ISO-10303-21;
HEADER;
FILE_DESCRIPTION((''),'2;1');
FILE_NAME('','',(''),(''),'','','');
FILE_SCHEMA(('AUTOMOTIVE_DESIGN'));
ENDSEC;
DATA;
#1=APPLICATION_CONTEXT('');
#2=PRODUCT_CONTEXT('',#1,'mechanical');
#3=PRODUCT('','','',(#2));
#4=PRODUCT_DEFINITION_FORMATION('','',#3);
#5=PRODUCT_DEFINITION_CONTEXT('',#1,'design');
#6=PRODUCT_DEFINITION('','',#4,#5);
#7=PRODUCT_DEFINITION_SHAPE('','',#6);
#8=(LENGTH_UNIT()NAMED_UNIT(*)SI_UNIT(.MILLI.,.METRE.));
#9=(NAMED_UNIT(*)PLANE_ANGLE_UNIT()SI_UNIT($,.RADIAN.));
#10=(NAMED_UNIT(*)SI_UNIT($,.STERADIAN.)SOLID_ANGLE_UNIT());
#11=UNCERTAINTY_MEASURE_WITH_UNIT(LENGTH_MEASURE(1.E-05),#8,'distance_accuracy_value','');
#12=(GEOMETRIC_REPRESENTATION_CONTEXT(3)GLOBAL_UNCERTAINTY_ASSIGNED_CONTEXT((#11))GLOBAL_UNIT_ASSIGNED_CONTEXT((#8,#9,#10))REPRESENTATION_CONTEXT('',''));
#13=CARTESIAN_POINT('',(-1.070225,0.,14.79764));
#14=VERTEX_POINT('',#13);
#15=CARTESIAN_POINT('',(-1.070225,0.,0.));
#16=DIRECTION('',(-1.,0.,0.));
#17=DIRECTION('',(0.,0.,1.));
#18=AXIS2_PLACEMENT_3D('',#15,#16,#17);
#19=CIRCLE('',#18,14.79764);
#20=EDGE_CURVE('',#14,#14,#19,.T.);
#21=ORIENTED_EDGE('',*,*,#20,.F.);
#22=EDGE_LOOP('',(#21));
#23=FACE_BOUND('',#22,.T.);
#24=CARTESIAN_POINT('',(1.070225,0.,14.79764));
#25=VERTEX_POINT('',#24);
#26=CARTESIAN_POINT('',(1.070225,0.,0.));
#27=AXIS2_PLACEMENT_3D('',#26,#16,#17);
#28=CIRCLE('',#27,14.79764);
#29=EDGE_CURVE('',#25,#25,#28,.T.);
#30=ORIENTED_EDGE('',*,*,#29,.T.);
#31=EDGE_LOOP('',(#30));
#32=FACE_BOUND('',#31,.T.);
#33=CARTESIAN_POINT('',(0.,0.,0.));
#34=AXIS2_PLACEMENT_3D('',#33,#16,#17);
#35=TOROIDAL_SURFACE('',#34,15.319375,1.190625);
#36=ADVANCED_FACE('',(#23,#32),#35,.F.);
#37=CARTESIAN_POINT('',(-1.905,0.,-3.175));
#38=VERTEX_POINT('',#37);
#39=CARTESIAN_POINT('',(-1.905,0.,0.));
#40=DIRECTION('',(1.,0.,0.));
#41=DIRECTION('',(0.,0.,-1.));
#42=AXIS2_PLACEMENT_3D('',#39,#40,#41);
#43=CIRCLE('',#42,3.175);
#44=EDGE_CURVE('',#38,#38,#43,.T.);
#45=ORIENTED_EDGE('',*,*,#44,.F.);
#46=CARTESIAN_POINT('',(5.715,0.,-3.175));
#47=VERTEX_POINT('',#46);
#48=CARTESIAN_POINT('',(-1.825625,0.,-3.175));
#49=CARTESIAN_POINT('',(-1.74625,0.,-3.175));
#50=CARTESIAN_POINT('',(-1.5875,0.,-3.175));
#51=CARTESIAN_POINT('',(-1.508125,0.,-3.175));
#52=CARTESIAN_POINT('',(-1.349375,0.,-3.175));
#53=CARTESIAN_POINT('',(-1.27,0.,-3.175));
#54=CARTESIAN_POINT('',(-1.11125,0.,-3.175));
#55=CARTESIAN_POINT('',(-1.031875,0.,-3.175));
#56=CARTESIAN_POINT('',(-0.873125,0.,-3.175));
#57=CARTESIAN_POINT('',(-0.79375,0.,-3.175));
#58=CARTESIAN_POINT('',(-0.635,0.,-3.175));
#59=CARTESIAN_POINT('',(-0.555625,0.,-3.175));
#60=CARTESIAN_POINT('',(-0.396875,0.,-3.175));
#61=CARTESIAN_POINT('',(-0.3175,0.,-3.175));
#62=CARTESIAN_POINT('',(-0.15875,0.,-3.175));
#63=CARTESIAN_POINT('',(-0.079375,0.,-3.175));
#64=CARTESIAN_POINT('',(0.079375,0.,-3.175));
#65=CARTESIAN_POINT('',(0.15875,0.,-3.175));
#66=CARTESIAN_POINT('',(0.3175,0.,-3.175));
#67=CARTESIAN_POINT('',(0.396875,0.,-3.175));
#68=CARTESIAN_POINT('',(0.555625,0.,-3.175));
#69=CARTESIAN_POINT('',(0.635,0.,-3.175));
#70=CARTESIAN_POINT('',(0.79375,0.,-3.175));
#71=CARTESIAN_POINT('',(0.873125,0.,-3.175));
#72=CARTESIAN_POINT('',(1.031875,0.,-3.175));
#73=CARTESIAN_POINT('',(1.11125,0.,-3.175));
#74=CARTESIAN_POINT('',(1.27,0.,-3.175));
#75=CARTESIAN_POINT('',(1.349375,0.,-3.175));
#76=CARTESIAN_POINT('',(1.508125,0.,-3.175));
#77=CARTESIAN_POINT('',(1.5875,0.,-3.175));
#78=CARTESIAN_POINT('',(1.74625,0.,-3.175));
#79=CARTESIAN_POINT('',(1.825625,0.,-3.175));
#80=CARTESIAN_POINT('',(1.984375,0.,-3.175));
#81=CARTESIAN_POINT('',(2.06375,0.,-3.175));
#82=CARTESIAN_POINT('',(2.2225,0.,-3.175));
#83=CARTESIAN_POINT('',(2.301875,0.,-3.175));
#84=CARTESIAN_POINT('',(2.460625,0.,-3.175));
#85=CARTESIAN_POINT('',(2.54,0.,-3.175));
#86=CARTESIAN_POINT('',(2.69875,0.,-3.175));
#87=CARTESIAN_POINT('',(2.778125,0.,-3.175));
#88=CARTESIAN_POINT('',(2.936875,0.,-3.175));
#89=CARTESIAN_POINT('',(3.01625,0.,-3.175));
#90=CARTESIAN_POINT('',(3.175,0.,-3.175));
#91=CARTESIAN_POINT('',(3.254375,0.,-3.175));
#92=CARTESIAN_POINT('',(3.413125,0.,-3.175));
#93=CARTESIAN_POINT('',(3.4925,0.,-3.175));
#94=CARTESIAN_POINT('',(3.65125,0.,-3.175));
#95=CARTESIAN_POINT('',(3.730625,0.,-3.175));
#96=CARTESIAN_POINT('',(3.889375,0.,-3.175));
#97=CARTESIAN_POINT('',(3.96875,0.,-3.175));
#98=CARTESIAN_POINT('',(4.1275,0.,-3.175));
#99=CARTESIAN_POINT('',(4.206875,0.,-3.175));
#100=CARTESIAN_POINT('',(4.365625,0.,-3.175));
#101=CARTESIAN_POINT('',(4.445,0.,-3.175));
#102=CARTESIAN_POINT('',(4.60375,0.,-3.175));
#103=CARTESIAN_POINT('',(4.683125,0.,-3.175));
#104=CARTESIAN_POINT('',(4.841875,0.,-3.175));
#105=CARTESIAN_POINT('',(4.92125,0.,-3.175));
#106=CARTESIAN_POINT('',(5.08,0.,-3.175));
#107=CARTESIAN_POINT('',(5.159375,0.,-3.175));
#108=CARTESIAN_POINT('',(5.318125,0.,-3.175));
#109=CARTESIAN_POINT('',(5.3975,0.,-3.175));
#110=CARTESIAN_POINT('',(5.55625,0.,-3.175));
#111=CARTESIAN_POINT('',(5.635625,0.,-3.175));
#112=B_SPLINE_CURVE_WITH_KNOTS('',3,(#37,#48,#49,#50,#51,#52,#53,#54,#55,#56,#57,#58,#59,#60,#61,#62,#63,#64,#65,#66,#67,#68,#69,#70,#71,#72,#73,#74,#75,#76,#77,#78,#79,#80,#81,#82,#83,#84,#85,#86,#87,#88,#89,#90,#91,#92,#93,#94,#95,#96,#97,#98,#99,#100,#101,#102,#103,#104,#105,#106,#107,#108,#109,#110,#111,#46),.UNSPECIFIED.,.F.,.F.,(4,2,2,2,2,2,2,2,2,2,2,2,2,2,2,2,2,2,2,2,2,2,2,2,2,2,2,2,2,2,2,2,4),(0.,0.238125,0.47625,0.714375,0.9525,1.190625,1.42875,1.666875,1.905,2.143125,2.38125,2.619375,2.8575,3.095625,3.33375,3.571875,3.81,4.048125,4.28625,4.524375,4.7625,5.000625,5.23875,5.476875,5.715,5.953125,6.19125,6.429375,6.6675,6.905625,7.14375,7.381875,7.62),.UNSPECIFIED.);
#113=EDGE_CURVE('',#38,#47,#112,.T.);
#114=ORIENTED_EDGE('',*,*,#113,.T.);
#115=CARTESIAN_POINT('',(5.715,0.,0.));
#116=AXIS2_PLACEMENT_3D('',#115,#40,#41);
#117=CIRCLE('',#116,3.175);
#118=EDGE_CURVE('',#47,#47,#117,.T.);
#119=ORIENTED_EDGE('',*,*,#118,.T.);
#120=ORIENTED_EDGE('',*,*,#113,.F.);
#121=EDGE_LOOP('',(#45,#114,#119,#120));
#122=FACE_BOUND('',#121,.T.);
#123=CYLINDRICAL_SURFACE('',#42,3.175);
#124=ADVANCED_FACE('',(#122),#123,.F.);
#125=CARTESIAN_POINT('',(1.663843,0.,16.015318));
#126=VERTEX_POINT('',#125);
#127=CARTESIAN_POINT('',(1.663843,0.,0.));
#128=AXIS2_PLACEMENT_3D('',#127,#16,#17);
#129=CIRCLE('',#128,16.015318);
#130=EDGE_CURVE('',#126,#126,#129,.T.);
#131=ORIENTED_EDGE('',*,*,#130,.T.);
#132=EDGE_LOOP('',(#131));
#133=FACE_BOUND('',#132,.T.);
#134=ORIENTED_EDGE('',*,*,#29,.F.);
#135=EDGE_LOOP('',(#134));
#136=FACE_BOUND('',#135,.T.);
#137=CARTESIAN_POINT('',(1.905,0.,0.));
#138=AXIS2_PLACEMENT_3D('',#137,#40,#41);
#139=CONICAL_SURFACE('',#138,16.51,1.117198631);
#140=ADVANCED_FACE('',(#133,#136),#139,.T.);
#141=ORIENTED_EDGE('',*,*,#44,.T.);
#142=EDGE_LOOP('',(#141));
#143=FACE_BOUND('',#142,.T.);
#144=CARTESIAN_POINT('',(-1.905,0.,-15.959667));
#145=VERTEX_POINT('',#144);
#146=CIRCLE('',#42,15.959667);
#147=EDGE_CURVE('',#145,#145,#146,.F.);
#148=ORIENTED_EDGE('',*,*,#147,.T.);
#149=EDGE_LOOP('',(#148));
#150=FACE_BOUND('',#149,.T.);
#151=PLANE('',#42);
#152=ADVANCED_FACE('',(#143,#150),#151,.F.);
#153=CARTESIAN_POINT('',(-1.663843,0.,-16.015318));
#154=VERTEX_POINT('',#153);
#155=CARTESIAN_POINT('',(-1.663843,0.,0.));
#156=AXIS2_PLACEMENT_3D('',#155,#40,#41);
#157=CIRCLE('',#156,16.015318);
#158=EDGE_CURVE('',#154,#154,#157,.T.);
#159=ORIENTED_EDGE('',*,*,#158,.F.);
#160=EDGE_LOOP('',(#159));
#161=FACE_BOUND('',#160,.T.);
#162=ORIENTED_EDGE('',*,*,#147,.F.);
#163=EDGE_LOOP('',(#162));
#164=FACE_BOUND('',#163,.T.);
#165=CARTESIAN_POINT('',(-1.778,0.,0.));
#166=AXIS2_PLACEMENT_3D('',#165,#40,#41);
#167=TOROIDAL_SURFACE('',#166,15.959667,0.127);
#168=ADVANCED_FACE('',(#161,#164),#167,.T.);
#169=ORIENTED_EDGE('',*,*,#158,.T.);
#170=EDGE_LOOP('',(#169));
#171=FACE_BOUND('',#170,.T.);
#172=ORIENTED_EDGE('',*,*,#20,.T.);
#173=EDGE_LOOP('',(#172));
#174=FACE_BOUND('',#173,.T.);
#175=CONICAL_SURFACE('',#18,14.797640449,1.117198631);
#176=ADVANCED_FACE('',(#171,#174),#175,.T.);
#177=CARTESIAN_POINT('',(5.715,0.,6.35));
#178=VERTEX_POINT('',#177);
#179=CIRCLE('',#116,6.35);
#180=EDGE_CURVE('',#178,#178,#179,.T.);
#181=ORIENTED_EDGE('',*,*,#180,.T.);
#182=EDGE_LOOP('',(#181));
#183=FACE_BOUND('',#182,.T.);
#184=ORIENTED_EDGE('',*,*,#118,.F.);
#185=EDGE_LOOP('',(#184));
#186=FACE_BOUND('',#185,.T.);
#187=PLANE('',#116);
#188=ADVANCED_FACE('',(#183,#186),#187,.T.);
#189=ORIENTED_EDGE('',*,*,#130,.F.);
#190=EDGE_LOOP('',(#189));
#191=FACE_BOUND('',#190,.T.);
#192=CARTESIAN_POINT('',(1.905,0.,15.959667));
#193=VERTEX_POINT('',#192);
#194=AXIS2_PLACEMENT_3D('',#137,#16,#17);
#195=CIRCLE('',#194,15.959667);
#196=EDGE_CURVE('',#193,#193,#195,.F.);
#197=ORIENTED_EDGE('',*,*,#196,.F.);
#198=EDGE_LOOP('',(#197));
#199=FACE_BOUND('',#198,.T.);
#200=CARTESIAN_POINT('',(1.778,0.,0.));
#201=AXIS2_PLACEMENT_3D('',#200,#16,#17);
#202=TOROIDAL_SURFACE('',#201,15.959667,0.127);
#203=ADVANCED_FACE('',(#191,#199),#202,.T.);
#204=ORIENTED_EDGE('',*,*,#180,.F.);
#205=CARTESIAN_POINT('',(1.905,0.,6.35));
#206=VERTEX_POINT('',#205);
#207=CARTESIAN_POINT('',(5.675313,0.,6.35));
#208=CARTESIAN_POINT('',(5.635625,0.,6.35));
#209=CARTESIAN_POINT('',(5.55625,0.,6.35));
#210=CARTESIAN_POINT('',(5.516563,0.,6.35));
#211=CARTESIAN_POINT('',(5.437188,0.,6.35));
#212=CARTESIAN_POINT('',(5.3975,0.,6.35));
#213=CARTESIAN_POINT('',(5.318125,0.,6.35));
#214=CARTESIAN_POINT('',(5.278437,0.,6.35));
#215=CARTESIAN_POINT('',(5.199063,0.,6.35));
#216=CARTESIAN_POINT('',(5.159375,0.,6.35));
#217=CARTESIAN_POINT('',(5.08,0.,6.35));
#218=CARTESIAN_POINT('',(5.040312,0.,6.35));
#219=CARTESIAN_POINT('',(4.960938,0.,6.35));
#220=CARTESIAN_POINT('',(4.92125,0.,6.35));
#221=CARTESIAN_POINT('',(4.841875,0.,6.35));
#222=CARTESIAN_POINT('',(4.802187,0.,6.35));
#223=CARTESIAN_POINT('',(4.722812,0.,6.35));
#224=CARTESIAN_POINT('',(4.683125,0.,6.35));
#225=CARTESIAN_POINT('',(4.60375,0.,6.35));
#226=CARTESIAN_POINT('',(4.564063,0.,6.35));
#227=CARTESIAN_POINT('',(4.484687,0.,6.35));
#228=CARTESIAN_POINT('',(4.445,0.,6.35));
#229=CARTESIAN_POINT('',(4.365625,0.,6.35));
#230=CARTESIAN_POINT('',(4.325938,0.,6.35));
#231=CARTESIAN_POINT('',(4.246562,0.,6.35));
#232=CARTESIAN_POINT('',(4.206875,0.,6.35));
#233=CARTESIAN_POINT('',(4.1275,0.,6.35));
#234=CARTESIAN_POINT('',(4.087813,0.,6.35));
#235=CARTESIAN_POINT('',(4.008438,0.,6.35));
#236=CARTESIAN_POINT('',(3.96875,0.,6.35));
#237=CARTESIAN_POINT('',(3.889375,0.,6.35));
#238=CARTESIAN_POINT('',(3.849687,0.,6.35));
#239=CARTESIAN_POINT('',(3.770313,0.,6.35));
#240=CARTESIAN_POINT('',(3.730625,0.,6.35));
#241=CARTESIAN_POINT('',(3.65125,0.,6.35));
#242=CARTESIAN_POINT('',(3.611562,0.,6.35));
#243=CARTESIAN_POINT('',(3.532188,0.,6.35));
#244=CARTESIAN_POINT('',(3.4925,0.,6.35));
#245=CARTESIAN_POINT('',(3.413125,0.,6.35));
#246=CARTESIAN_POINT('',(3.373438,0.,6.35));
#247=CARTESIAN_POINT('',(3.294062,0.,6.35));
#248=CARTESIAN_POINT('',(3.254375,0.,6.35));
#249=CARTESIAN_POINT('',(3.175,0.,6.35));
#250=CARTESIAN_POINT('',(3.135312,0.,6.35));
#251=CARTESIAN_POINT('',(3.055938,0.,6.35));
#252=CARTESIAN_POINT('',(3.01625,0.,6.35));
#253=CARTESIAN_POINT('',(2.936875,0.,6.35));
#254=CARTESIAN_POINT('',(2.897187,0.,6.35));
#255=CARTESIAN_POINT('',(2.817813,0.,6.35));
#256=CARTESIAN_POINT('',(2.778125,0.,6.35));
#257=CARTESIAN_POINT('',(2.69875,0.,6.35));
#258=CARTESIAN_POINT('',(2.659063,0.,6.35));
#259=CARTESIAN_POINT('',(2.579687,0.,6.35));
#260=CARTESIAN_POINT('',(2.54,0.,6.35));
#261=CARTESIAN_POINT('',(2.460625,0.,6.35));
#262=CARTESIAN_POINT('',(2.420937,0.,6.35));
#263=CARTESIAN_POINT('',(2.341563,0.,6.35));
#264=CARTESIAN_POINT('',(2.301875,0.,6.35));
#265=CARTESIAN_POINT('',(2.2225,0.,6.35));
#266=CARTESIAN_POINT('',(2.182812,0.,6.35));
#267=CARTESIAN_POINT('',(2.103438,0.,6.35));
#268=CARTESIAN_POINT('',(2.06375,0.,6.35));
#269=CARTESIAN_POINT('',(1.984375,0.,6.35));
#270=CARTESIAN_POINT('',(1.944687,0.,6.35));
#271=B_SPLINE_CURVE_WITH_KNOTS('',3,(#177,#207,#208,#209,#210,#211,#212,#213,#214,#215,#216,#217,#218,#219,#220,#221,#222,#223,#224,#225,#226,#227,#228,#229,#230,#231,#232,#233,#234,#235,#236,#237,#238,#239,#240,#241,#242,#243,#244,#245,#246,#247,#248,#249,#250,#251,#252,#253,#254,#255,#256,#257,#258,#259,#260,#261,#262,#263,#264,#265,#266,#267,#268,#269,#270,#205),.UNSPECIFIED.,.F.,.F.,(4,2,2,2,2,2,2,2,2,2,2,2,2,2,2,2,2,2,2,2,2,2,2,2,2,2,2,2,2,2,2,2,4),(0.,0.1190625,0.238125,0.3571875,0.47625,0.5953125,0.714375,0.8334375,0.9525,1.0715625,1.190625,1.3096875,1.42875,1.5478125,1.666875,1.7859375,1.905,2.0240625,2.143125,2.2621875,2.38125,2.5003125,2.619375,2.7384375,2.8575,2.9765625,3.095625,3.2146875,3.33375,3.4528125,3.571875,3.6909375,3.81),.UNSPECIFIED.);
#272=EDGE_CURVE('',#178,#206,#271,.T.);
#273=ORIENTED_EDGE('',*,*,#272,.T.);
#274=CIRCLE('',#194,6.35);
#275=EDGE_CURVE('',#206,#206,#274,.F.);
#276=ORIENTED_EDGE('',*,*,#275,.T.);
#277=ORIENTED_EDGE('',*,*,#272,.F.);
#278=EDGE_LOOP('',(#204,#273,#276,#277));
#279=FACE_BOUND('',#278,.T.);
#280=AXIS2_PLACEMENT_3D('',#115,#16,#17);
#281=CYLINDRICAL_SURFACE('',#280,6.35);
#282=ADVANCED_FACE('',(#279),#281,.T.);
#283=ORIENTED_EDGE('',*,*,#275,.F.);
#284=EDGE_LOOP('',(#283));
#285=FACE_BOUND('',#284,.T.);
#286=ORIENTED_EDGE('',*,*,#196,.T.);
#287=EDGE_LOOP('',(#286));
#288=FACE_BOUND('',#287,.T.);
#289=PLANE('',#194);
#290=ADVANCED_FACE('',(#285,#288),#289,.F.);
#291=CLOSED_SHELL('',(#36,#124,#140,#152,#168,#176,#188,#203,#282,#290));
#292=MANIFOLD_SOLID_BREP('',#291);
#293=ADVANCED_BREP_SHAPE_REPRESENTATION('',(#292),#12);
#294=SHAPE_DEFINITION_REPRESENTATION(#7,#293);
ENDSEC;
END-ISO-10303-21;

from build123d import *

# Parameters (mm, degrees)
FILLET1_R           = 0.127
SKETCH2_R           = 6.35
BOSS_EXTRUDE1_DEPTH = 3.81
SKETCH3_R           = 3.175
CUT_EXTRUDE1_DEPTH  = 24.992209055


with BuildPart() as part:
    # Sketch1 → Revolve1 (revolve)
    with BuildSketch(Plane.XY, mode=Mode.PRIVATE) as revolve1_sk:
        with BuildLine():
            Line((-1.905, 0), (-1.905, 16.51))
            Line((-1.905, 16.51), (-1.070224719, 14.797640449))
            ThreePointArc((-1.070224719, 14.797640449), (0, 14.12875), (1.070224719, 14.797640449))
            Line((1.070224719, 14.797640449), (1.905, 16.51))
            Line((1.905, 16.51), (1.905, 0))
            Line((1.905, 0), (-1.905, 0))
        make_face()
    revolve(revolve1_sk.sketch.rotate(Axis((-602.921612104, 0, 0), (1, 0, 0)), 90), axis=Axis((-602.921612104, 0, 0), (1, 0, 0)))

    # Fillet1
    fillet1_edges = [part.edges().sort_by_distance(p)[0] for p in [
        (1.905, 0, -16.51),
        (-1.905, 0, -16.51),
    ]]
    fillet(fillet1_edges, radius=FILLET1_R)

    # Sketch2 → Boss-Extrude1 (add)
    with BuildSketch(Plane(origin=(1.905, 0, 0), x_dir=(0, 0, -1), z_dir=(1, 0, 0))):
        with Locations(Location((0, 0, 0), (0, 0, 180))):
            Circle(SKETCH2_R)
    extrude(amount=BOSS_EXTRUDE1_DEPTH)

    # Sketch3 → Cut-Extrude1 (cut, through all)
    with BuildSketch(Plane(origin=(5.715, 0, 0), x_dir=(0, 0, -1), z_dir=(1, 0, 0))):
        Circle(SKETCH3_R)
    extrude(amount=-CUT_EXTRUDE1_DEPTH, mode=Mode.SUBTRACT)


solid = part.part
